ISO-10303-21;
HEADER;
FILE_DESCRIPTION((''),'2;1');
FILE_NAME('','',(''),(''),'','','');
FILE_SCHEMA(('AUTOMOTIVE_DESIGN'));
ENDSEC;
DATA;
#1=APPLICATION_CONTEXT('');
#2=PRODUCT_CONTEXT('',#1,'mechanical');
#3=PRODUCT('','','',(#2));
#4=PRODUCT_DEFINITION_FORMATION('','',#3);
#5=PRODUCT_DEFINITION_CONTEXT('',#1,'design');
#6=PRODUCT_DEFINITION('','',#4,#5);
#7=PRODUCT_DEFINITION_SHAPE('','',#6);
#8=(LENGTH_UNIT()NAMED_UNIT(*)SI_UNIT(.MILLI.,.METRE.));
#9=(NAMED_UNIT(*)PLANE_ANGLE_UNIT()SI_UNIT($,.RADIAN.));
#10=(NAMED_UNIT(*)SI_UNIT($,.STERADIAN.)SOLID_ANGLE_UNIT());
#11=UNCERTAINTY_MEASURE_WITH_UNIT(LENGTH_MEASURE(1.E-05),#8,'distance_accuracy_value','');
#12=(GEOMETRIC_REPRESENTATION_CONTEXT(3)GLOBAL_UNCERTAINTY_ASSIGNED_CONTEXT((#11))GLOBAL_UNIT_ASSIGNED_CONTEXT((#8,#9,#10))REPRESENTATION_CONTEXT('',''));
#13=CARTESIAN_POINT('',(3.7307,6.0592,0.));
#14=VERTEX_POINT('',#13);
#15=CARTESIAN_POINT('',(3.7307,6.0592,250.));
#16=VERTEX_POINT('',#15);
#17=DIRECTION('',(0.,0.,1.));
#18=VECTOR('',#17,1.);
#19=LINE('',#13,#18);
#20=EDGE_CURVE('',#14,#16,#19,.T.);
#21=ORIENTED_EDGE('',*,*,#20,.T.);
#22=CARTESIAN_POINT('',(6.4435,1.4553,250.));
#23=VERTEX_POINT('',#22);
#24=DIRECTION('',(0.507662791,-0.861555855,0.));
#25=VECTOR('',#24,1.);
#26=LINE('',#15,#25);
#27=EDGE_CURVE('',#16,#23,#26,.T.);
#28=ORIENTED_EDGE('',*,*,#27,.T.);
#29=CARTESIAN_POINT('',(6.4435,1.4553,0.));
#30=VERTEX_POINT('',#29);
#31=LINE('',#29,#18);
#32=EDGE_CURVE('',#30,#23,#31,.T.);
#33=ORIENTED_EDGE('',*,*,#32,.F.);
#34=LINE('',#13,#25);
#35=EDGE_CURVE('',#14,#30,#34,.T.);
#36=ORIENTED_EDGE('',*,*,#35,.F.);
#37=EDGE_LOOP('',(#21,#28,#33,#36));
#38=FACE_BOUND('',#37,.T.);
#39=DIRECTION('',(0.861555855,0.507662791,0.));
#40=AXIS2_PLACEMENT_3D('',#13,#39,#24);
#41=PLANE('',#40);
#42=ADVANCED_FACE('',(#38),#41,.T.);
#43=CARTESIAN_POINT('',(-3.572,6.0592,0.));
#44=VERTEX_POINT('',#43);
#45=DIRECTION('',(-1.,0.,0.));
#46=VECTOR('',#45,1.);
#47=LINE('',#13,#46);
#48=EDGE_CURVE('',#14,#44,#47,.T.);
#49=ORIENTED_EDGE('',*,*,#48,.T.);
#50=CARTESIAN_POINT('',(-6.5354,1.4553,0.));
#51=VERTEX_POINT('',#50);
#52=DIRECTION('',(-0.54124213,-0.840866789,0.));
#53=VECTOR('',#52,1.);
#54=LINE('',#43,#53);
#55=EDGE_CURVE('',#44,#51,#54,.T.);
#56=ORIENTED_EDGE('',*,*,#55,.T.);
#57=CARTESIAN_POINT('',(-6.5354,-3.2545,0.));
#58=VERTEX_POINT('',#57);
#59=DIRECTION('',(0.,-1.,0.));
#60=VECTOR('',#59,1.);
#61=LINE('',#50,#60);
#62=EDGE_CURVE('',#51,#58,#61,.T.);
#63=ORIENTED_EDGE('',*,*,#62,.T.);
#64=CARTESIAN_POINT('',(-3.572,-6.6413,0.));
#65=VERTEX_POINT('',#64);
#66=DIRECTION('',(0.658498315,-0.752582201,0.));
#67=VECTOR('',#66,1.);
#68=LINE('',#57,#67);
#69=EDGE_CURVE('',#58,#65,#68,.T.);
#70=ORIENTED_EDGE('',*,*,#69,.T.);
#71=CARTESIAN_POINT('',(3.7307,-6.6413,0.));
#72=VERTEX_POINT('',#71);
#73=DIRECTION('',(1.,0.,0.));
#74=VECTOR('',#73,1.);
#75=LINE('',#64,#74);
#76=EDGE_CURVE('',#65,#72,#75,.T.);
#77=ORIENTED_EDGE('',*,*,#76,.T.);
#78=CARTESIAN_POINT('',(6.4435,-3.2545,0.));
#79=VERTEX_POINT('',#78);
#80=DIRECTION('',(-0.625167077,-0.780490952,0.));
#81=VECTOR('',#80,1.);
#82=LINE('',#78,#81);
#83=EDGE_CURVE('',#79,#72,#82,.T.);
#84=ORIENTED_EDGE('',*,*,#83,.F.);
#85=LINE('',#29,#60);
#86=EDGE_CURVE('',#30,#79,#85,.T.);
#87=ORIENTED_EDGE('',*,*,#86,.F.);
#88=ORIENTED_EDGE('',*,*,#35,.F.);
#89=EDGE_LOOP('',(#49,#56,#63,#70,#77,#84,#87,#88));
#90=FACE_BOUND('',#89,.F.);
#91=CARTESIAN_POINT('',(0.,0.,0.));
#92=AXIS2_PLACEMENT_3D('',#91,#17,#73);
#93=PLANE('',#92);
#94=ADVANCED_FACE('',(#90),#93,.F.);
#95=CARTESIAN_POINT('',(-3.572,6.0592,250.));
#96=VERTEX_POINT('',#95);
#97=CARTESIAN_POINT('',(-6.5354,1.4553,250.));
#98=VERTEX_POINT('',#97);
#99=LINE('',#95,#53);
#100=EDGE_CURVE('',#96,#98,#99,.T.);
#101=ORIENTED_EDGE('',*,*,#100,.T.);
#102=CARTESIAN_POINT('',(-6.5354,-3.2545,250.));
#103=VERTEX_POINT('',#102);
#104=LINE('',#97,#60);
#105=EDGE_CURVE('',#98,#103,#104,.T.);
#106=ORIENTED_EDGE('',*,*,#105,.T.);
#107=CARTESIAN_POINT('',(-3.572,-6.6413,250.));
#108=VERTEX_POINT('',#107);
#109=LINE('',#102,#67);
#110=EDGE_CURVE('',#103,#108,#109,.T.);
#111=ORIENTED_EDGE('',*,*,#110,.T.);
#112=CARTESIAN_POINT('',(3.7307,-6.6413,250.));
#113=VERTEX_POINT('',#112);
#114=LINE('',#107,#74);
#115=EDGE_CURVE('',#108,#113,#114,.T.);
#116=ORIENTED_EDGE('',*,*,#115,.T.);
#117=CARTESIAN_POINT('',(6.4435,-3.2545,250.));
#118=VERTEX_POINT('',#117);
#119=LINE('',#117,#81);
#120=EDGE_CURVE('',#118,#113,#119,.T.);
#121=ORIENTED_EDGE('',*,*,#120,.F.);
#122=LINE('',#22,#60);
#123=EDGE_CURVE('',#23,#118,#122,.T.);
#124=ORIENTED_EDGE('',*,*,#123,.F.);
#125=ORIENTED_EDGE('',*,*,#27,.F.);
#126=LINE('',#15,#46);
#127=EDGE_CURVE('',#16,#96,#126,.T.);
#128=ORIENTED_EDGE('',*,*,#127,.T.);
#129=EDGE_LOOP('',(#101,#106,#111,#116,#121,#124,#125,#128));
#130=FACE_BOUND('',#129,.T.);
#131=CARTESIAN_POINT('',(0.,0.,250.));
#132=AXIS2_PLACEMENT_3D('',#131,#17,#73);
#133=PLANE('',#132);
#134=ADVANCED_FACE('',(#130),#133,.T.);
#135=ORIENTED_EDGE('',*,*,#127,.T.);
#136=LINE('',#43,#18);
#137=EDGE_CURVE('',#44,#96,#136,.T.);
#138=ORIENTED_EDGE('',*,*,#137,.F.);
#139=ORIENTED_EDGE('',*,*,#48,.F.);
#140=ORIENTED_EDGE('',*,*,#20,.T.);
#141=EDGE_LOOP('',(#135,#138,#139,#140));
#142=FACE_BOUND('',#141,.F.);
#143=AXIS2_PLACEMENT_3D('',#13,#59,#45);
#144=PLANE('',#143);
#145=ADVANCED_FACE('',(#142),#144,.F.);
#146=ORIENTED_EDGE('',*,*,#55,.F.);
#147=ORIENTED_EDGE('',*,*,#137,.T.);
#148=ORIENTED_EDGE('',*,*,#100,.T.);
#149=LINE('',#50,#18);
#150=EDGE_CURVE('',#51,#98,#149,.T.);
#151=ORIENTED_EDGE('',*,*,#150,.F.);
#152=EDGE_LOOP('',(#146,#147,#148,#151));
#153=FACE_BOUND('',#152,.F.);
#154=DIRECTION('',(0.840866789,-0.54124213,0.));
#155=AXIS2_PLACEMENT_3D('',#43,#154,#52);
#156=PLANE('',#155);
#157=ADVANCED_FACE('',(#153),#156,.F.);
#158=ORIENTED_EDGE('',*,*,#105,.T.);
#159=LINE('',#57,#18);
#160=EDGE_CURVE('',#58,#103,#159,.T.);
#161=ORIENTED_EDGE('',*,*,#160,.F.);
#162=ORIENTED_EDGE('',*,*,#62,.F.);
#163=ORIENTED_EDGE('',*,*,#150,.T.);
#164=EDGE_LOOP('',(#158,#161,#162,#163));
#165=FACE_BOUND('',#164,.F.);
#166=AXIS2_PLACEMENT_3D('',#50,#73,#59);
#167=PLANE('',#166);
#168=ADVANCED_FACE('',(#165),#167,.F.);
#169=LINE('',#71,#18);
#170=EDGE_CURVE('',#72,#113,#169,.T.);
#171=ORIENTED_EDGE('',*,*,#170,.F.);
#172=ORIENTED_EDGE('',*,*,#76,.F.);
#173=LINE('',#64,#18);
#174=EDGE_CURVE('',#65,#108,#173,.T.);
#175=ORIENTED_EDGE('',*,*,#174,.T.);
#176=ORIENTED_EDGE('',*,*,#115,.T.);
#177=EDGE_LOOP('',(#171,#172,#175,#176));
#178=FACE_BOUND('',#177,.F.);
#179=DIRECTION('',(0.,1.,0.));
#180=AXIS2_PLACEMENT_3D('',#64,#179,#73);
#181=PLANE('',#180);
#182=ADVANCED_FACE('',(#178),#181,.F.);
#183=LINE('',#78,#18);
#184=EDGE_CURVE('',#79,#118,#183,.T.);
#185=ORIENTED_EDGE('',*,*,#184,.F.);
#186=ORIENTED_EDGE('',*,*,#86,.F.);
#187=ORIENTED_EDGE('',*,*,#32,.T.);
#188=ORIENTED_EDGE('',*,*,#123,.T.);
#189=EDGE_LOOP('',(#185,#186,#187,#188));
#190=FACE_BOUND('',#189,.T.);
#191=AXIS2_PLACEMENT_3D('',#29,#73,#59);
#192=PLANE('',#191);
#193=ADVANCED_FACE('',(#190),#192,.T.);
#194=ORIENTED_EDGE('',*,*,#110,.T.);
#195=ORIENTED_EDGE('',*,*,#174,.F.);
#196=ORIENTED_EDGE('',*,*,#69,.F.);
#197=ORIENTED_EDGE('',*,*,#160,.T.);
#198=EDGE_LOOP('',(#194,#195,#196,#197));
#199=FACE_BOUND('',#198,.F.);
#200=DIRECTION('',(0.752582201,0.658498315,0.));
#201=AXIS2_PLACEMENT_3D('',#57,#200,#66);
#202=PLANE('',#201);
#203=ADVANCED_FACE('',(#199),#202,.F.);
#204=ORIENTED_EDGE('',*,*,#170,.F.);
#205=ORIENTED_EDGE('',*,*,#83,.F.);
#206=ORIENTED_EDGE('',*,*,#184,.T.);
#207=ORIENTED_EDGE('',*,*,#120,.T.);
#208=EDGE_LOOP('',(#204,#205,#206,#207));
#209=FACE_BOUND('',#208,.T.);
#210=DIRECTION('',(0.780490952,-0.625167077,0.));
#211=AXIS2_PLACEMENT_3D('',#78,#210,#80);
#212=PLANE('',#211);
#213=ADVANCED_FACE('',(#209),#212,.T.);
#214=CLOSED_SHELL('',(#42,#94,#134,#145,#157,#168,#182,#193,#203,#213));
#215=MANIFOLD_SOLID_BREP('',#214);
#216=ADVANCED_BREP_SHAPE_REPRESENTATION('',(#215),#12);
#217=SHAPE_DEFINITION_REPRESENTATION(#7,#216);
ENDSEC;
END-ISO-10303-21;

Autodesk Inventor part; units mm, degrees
ref_plane "YZ Plane" through (0, 0, 0) normal (1, 0, 0) x (0, 1, 0)
ref_plane "XZ Plane" through (0, 0, 0) normal (0, 1, 0) x (-1, 0, 0)
ref_plane "XY Plane" through (0, 0, 0) normal (0, 0, 1) x (1, 0, 0)
sketch "Sketch1" plane through (0, 0, 0) normal (0, 0, 1) x (1, 0, 0)
  line L0 (3.7307, 6.0592) -> (-3.572, 6.0592)
  line L1 (-3.572, 6.0592) -> (-6.5354, 1.4553)
  line L2 (-6.5354, 1.4553) -> (-6.5354, -3.2545)
  line L3 (-6.5354, -3.2545) -> (-3.572, -6.6413)
  line L4 (-3.572, -6.6413) -> (3.7307, -6.6413)
  line L5 (3.7307, 6.0592) -> (6.4435, 1.4553)
  line L6 (6.4435, 1.4553) -> (6.4435, -3.2545)
  line L7 (6.4435, -3.2545) -> (3.7307, -6.6413)
  point P0 (0, 0)
extrude "Extrusion1" add sketch "Sketch1" along normal blind 250
sketch "Sketch2" plane through (0, 0, 250) normal (0, 0, 1) x (1, 0, 0)
  point P0 (0, 0)
properties part number "pillar"
